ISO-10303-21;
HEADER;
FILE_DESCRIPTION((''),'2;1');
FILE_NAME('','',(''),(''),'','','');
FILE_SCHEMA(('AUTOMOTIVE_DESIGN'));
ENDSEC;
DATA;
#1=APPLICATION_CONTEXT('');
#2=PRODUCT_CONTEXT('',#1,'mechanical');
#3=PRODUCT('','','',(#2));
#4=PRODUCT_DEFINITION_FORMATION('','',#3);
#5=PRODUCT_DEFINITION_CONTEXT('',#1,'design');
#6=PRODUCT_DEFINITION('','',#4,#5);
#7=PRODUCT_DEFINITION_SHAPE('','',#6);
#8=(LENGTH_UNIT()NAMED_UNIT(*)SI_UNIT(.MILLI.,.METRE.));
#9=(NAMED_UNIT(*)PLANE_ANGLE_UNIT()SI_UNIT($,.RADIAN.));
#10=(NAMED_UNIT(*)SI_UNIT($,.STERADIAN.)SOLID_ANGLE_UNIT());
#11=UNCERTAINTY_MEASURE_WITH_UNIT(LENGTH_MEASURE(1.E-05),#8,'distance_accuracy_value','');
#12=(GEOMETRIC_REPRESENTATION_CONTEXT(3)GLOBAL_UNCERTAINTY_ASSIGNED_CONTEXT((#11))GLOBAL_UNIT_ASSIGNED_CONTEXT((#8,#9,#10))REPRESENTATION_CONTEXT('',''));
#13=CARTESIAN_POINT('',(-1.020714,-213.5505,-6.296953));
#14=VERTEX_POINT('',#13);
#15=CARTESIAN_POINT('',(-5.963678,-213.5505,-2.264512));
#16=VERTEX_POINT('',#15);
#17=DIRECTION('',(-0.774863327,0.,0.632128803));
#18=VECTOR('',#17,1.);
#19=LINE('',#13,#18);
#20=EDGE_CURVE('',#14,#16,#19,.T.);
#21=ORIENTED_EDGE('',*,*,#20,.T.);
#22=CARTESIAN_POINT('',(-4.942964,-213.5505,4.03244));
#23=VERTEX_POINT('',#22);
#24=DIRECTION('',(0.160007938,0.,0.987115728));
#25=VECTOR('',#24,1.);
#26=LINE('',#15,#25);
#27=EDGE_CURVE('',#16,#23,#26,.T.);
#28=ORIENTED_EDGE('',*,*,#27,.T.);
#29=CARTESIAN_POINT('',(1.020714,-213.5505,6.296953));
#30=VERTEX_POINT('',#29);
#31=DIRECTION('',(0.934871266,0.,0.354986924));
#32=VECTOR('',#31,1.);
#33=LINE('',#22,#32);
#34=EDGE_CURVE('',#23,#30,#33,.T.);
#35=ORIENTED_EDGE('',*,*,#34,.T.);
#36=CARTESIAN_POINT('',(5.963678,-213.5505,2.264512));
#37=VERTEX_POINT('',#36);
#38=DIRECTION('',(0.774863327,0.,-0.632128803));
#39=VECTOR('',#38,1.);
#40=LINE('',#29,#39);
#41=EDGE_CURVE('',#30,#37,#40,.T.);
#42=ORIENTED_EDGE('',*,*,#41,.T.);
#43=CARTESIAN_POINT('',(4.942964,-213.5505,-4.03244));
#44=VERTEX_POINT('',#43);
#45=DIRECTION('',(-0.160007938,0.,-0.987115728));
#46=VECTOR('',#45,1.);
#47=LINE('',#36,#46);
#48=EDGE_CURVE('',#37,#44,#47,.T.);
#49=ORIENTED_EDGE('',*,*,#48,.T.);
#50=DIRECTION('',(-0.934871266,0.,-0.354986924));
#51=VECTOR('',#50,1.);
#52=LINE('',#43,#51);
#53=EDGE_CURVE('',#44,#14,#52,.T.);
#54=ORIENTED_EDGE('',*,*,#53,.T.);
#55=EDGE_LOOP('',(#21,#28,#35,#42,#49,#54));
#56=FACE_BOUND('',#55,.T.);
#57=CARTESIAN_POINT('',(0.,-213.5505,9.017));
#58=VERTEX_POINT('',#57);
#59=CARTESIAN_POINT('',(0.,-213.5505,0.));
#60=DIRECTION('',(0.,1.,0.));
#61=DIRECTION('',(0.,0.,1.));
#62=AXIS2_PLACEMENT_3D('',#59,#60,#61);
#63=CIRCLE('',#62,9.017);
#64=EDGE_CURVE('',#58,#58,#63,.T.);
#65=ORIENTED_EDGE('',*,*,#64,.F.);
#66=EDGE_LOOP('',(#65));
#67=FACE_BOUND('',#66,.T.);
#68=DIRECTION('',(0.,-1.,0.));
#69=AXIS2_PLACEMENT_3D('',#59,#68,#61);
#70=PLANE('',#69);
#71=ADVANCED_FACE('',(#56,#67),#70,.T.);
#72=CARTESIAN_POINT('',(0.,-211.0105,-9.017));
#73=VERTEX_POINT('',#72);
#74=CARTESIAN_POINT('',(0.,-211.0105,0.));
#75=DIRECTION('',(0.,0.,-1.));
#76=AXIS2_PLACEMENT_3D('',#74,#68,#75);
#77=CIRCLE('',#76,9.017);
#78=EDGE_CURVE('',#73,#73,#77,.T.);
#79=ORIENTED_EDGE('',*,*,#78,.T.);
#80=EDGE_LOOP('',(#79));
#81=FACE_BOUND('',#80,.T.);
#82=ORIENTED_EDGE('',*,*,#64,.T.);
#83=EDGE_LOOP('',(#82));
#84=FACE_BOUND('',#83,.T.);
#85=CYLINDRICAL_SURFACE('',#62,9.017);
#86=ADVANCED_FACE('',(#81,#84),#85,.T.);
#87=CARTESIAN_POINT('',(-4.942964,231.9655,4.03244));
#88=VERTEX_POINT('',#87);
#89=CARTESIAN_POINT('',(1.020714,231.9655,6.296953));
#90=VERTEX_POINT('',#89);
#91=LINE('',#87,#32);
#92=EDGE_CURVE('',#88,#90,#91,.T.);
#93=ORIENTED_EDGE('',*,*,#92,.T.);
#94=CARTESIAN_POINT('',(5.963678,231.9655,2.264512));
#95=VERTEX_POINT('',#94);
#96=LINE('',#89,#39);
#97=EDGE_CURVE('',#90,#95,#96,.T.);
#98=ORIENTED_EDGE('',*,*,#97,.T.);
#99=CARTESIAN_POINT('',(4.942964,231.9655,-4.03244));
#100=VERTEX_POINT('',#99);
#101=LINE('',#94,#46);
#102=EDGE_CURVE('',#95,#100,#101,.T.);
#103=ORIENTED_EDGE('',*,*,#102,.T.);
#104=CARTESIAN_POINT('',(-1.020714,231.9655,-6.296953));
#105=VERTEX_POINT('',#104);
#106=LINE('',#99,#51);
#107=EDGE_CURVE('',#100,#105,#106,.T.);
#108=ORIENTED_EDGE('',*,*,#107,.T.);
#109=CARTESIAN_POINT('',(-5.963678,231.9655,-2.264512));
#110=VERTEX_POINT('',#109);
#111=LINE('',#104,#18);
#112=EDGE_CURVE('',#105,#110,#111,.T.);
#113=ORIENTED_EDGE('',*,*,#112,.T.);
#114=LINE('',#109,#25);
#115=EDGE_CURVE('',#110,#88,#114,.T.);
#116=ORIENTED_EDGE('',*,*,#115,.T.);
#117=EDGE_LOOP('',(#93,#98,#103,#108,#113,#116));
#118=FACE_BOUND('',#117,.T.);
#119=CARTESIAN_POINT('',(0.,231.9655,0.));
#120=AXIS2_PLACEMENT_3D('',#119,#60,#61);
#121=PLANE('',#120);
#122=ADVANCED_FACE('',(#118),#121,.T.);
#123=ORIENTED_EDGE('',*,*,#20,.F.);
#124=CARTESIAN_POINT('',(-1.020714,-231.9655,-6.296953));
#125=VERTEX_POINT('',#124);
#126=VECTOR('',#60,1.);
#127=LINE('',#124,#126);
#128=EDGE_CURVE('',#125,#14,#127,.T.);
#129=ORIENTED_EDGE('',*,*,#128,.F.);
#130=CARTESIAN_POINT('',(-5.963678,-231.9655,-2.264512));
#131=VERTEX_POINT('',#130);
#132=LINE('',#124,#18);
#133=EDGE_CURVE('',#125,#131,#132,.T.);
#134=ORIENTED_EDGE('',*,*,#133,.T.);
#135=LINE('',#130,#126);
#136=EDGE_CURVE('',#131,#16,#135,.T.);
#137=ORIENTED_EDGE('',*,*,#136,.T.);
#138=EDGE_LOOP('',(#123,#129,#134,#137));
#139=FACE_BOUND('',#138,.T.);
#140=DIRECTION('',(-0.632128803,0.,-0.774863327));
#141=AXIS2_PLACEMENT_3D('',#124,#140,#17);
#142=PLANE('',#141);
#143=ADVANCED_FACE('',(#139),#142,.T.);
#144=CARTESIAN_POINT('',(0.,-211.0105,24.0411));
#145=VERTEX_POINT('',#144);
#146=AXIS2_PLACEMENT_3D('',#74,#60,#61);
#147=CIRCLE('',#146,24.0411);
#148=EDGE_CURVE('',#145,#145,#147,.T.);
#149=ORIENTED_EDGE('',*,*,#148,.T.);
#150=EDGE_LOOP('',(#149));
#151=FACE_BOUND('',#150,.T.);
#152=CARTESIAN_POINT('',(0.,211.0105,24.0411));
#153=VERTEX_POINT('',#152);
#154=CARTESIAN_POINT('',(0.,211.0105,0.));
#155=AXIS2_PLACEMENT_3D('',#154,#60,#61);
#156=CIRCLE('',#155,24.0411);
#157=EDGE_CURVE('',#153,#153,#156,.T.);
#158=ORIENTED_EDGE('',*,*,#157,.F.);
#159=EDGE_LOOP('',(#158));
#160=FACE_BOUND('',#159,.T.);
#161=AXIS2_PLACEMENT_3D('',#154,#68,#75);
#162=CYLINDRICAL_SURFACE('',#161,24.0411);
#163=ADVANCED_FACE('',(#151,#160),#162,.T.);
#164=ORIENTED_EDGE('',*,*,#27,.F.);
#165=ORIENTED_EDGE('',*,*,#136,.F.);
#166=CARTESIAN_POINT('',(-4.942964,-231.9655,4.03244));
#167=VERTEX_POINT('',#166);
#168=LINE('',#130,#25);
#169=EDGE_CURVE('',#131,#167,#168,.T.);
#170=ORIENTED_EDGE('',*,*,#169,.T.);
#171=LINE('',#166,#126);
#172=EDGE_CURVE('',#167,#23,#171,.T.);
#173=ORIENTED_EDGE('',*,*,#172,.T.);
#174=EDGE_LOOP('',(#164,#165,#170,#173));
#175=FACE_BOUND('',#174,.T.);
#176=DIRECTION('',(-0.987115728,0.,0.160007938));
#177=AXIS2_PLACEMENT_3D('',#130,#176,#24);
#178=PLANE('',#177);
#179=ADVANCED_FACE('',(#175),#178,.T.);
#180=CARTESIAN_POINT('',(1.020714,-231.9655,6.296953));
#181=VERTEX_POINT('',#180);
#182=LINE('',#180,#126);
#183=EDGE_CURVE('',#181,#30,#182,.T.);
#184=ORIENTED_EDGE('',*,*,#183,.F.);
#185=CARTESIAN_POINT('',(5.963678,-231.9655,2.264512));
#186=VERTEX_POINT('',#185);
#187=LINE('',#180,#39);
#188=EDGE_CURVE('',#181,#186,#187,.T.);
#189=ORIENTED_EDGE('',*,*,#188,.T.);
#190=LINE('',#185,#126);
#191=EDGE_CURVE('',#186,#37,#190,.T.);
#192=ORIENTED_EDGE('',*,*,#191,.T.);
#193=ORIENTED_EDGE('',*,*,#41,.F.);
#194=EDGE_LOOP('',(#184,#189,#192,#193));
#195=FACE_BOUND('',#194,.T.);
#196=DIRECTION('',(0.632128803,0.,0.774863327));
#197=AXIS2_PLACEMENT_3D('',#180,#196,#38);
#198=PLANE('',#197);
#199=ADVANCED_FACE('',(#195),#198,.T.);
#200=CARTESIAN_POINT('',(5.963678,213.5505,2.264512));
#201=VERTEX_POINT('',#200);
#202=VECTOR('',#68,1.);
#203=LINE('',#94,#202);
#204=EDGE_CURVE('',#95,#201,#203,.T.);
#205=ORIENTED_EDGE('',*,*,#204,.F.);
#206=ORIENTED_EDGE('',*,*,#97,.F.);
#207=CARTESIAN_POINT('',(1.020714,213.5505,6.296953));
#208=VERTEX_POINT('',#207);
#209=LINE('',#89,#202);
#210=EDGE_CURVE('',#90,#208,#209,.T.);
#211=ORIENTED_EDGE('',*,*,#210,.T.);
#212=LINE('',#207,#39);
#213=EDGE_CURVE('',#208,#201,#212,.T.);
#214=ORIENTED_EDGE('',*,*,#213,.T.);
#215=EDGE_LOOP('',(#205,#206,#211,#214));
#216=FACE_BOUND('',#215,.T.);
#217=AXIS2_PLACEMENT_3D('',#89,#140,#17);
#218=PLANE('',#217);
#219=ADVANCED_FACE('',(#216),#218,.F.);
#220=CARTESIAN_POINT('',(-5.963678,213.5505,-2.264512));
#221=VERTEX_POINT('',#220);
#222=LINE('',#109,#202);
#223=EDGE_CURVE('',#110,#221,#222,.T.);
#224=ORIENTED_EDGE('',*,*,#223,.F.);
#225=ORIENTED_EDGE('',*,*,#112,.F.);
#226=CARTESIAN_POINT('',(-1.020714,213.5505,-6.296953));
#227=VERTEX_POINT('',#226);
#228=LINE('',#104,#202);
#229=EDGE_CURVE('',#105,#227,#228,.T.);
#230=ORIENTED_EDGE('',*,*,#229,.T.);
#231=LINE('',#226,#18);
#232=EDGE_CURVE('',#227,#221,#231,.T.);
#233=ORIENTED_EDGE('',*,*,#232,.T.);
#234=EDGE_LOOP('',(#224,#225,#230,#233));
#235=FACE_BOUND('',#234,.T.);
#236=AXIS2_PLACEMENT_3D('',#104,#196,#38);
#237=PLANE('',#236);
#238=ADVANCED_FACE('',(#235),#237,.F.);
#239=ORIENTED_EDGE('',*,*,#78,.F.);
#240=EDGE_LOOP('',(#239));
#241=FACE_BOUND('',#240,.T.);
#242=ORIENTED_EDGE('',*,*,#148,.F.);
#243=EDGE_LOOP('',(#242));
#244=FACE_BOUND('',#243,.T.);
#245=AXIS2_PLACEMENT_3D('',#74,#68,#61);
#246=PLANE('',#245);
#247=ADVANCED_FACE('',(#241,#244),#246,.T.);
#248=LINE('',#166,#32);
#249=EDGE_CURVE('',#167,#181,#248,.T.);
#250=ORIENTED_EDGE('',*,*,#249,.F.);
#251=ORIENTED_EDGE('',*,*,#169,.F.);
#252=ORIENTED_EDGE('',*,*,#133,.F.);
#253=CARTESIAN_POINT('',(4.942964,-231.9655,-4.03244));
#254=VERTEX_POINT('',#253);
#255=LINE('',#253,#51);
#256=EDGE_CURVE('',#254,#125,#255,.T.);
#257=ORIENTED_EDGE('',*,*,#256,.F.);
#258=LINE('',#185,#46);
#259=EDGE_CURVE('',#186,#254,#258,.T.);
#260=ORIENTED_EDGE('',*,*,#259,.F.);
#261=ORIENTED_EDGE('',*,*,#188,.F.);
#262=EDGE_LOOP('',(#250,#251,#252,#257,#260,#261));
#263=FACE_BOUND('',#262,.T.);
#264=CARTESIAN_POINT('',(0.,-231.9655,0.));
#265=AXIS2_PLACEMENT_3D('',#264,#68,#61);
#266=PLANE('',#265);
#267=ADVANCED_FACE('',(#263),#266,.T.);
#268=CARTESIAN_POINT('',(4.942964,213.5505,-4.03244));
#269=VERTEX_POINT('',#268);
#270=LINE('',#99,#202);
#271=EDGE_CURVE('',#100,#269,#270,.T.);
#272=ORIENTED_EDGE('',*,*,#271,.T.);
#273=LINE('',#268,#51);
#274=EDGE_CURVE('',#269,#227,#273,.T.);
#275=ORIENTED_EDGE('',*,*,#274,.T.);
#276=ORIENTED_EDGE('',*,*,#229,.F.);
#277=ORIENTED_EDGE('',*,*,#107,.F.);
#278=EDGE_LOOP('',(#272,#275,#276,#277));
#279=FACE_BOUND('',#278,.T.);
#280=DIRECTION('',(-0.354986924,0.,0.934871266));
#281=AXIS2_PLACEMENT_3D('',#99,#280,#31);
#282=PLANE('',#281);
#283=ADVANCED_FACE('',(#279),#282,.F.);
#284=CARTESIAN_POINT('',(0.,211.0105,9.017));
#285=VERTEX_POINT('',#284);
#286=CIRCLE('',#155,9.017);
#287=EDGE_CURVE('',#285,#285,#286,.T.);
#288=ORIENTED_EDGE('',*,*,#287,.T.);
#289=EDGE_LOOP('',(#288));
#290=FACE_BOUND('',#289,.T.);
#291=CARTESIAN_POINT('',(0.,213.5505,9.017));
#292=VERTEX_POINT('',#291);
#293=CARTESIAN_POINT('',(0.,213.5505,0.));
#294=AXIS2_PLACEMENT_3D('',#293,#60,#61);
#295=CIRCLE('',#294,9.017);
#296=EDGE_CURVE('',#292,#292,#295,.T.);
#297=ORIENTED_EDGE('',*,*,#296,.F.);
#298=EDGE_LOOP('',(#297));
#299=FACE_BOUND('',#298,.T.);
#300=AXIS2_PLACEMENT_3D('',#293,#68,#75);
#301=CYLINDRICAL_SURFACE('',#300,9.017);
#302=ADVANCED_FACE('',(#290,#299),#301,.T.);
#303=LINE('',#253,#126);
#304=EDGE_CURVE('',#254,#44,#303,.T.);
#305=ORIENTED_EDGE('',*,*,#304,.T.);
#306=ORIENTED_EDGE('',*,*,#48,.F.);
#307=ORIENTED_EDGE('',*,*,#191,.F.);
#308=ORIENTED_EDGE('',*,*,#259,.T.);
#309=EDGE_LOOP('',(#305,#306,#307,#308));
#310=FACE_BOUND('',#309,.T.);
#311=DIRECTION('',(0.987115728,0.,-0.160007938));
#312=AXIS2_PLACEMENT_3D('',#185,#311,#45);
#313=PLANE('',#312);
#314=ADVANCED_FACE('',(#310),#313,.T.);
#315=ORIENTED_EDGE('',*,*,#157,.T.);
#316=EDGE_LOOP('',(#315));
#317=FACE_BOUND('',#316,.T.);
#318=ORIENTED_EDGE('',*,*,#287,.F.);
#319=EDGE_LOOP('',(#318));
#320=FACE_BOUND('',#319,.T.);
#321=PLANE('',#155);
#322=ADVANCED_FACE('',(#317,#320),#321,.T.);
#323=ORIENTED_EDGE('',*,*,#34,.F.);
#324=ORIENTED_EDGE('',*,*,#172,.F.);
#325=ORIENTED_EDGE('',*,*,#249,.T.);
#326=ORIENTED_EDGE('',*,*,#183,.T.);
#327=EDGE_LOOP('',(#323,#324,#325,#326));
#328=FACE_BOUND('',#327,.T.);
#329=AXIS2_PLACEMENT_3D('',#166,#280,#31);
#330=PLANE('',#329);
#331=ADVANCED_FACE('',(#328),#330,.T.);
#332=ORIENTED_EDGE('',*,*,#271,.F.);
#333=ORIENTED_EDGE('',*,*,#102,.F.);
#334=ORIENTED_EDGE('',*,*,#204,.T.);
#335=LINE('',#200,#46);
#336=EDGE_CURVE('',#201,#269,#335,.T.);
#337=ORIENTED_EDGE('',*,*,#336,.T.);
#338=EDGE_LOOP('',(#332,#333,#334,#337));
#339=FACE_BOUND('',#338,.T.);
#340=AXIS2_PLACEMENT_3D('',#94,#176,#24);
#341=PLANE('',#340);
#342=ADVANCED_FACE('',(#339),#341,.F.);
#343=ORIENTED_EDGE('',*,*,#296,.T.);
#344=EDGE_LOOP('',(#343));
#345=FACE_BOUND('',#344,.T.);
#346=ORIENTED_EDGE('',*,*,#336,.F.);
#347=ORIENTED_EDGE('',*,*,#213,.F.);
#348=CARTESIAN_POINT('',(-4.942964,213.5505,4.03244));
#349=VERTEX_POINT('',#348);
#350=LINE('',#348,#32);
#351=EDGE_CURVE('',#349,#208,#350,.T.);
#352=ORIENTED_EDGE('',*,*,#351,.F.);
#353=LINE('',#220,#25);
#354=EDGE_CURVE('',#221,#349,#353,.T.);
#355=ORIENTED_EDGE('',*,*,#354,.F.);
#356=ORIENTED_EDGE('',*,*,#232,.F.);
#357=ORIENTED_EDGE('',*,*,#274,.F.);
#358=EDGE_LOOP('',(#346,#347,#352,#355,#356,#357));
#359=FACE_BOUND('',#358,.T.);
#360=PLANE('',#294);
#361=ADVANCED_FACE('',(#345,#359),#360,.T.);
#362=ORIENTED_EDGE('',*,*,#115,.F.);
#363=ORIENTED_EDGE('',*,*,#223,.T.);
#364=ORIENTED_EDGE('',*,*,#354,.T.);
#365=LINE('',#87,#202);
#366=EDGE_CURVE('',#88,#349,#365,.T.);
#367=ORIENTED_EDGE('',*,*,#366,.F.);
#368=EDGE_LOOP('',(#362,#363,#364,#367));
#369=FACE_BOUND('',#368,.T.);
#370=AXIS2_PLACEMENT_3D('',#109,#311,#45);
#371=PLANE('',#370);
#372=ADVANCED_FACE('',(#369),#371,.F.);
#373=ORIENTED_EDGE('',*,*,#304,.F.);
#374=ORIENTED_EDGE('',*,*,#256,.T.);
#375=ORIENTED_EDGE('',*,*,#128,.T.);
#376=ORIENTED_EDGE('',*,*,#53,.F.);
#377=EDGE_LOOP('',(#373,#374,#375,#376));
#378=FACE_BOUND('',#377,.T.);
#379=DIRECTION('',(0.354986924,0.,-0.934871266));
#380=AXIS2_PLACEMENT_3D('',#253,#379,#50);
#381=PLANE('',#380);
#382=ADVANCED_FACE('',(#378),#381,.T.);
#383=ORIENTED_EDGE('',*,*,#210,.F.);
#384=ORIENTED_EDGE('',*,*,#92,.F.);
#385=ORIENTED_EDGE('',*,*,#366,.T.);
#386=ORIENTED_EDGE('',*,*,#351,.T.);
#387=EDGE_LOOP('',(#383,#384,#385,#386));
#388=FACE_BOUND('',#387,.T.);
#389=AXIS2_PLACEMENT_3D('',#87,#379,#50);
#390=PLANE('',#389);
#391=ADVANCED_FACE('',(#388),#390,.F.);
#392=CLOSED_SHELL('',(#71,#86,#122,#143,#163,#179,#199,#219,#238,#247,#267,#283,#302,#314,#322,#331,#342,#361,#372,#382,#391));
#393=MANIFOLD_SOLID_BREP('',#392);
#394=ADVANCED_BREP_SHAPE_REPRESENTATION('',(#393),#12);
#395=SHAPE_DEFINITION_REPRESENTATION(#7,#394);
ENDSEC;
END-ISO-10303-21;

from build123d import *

# Parameters (mm, degrees)
SKETCH1_R           = 24.0411
BOSS_EXTRUDE1_DEPTH = 211.0105
SKETCH2_R           = 9.017
BOSS_EXTRUDE2_DEPTH = 2.54
BOSS_EXTRUDE3_DEPTH = 18.415


with BuildPart() as part:
    # Sketch1 → Boss-Extrude1 (new body)
    with BuildSketch(Plane(origin=(0, 0, 0), x_dir=(1, 0, 0), z_dir=(0, 1, 0))):
        with Locations(Location((0, 0, 0), (0, 0, 270))):
            Circle(SKETCH1_R)
    boss_extrude1 = extrude(amount=BOSS_EXTRUDE1_DEPTH)

    # Sketch2 → Boss-Extrude2 (add)
    with BuildSketch(Plane(origin=(0, 211.0105, 0), x_dir=(1, 0, 0), z_dir=(0, 1, 0))):
        with Locations(Location((0, 0, 0), (0, 0, 270))):
            Circle(SKETCH2_R)
    boss_extrude2 = extrude(amount=BOSS_EXTRUDE2_DEPTH)

    # Sketch3 → Boss-Extrude3 (add)
    with BuildSketch(Plane(origin=(0, 213.5505, 0), x_dir=(1, 0, 0), z_dir=(0, 1, 0))):
        Polygon((5.963677607, -2.264512398), (4.942964068, 4.032440108), (-1.020713539, 6.296952507), (-5.963677607, 2.264512398), (-4.942964068, -4.032440108), (1.020713539, -6.296952507), align=None)
    boss_extrude3 = extrude(amount=BOSS_EXTRUDE3_DEPTH)

    # Mirror1: Boss-Extrude1, Boss-Extrude2, Boss-Extrude3 across plane
    add(boss_extrude1.mirror(Plane.ZX))
    add(boss_extrude2.mirror(Plane.ZX))
    add(boss_extrude3.mirror(Plane.ZX))


solid = part.part
